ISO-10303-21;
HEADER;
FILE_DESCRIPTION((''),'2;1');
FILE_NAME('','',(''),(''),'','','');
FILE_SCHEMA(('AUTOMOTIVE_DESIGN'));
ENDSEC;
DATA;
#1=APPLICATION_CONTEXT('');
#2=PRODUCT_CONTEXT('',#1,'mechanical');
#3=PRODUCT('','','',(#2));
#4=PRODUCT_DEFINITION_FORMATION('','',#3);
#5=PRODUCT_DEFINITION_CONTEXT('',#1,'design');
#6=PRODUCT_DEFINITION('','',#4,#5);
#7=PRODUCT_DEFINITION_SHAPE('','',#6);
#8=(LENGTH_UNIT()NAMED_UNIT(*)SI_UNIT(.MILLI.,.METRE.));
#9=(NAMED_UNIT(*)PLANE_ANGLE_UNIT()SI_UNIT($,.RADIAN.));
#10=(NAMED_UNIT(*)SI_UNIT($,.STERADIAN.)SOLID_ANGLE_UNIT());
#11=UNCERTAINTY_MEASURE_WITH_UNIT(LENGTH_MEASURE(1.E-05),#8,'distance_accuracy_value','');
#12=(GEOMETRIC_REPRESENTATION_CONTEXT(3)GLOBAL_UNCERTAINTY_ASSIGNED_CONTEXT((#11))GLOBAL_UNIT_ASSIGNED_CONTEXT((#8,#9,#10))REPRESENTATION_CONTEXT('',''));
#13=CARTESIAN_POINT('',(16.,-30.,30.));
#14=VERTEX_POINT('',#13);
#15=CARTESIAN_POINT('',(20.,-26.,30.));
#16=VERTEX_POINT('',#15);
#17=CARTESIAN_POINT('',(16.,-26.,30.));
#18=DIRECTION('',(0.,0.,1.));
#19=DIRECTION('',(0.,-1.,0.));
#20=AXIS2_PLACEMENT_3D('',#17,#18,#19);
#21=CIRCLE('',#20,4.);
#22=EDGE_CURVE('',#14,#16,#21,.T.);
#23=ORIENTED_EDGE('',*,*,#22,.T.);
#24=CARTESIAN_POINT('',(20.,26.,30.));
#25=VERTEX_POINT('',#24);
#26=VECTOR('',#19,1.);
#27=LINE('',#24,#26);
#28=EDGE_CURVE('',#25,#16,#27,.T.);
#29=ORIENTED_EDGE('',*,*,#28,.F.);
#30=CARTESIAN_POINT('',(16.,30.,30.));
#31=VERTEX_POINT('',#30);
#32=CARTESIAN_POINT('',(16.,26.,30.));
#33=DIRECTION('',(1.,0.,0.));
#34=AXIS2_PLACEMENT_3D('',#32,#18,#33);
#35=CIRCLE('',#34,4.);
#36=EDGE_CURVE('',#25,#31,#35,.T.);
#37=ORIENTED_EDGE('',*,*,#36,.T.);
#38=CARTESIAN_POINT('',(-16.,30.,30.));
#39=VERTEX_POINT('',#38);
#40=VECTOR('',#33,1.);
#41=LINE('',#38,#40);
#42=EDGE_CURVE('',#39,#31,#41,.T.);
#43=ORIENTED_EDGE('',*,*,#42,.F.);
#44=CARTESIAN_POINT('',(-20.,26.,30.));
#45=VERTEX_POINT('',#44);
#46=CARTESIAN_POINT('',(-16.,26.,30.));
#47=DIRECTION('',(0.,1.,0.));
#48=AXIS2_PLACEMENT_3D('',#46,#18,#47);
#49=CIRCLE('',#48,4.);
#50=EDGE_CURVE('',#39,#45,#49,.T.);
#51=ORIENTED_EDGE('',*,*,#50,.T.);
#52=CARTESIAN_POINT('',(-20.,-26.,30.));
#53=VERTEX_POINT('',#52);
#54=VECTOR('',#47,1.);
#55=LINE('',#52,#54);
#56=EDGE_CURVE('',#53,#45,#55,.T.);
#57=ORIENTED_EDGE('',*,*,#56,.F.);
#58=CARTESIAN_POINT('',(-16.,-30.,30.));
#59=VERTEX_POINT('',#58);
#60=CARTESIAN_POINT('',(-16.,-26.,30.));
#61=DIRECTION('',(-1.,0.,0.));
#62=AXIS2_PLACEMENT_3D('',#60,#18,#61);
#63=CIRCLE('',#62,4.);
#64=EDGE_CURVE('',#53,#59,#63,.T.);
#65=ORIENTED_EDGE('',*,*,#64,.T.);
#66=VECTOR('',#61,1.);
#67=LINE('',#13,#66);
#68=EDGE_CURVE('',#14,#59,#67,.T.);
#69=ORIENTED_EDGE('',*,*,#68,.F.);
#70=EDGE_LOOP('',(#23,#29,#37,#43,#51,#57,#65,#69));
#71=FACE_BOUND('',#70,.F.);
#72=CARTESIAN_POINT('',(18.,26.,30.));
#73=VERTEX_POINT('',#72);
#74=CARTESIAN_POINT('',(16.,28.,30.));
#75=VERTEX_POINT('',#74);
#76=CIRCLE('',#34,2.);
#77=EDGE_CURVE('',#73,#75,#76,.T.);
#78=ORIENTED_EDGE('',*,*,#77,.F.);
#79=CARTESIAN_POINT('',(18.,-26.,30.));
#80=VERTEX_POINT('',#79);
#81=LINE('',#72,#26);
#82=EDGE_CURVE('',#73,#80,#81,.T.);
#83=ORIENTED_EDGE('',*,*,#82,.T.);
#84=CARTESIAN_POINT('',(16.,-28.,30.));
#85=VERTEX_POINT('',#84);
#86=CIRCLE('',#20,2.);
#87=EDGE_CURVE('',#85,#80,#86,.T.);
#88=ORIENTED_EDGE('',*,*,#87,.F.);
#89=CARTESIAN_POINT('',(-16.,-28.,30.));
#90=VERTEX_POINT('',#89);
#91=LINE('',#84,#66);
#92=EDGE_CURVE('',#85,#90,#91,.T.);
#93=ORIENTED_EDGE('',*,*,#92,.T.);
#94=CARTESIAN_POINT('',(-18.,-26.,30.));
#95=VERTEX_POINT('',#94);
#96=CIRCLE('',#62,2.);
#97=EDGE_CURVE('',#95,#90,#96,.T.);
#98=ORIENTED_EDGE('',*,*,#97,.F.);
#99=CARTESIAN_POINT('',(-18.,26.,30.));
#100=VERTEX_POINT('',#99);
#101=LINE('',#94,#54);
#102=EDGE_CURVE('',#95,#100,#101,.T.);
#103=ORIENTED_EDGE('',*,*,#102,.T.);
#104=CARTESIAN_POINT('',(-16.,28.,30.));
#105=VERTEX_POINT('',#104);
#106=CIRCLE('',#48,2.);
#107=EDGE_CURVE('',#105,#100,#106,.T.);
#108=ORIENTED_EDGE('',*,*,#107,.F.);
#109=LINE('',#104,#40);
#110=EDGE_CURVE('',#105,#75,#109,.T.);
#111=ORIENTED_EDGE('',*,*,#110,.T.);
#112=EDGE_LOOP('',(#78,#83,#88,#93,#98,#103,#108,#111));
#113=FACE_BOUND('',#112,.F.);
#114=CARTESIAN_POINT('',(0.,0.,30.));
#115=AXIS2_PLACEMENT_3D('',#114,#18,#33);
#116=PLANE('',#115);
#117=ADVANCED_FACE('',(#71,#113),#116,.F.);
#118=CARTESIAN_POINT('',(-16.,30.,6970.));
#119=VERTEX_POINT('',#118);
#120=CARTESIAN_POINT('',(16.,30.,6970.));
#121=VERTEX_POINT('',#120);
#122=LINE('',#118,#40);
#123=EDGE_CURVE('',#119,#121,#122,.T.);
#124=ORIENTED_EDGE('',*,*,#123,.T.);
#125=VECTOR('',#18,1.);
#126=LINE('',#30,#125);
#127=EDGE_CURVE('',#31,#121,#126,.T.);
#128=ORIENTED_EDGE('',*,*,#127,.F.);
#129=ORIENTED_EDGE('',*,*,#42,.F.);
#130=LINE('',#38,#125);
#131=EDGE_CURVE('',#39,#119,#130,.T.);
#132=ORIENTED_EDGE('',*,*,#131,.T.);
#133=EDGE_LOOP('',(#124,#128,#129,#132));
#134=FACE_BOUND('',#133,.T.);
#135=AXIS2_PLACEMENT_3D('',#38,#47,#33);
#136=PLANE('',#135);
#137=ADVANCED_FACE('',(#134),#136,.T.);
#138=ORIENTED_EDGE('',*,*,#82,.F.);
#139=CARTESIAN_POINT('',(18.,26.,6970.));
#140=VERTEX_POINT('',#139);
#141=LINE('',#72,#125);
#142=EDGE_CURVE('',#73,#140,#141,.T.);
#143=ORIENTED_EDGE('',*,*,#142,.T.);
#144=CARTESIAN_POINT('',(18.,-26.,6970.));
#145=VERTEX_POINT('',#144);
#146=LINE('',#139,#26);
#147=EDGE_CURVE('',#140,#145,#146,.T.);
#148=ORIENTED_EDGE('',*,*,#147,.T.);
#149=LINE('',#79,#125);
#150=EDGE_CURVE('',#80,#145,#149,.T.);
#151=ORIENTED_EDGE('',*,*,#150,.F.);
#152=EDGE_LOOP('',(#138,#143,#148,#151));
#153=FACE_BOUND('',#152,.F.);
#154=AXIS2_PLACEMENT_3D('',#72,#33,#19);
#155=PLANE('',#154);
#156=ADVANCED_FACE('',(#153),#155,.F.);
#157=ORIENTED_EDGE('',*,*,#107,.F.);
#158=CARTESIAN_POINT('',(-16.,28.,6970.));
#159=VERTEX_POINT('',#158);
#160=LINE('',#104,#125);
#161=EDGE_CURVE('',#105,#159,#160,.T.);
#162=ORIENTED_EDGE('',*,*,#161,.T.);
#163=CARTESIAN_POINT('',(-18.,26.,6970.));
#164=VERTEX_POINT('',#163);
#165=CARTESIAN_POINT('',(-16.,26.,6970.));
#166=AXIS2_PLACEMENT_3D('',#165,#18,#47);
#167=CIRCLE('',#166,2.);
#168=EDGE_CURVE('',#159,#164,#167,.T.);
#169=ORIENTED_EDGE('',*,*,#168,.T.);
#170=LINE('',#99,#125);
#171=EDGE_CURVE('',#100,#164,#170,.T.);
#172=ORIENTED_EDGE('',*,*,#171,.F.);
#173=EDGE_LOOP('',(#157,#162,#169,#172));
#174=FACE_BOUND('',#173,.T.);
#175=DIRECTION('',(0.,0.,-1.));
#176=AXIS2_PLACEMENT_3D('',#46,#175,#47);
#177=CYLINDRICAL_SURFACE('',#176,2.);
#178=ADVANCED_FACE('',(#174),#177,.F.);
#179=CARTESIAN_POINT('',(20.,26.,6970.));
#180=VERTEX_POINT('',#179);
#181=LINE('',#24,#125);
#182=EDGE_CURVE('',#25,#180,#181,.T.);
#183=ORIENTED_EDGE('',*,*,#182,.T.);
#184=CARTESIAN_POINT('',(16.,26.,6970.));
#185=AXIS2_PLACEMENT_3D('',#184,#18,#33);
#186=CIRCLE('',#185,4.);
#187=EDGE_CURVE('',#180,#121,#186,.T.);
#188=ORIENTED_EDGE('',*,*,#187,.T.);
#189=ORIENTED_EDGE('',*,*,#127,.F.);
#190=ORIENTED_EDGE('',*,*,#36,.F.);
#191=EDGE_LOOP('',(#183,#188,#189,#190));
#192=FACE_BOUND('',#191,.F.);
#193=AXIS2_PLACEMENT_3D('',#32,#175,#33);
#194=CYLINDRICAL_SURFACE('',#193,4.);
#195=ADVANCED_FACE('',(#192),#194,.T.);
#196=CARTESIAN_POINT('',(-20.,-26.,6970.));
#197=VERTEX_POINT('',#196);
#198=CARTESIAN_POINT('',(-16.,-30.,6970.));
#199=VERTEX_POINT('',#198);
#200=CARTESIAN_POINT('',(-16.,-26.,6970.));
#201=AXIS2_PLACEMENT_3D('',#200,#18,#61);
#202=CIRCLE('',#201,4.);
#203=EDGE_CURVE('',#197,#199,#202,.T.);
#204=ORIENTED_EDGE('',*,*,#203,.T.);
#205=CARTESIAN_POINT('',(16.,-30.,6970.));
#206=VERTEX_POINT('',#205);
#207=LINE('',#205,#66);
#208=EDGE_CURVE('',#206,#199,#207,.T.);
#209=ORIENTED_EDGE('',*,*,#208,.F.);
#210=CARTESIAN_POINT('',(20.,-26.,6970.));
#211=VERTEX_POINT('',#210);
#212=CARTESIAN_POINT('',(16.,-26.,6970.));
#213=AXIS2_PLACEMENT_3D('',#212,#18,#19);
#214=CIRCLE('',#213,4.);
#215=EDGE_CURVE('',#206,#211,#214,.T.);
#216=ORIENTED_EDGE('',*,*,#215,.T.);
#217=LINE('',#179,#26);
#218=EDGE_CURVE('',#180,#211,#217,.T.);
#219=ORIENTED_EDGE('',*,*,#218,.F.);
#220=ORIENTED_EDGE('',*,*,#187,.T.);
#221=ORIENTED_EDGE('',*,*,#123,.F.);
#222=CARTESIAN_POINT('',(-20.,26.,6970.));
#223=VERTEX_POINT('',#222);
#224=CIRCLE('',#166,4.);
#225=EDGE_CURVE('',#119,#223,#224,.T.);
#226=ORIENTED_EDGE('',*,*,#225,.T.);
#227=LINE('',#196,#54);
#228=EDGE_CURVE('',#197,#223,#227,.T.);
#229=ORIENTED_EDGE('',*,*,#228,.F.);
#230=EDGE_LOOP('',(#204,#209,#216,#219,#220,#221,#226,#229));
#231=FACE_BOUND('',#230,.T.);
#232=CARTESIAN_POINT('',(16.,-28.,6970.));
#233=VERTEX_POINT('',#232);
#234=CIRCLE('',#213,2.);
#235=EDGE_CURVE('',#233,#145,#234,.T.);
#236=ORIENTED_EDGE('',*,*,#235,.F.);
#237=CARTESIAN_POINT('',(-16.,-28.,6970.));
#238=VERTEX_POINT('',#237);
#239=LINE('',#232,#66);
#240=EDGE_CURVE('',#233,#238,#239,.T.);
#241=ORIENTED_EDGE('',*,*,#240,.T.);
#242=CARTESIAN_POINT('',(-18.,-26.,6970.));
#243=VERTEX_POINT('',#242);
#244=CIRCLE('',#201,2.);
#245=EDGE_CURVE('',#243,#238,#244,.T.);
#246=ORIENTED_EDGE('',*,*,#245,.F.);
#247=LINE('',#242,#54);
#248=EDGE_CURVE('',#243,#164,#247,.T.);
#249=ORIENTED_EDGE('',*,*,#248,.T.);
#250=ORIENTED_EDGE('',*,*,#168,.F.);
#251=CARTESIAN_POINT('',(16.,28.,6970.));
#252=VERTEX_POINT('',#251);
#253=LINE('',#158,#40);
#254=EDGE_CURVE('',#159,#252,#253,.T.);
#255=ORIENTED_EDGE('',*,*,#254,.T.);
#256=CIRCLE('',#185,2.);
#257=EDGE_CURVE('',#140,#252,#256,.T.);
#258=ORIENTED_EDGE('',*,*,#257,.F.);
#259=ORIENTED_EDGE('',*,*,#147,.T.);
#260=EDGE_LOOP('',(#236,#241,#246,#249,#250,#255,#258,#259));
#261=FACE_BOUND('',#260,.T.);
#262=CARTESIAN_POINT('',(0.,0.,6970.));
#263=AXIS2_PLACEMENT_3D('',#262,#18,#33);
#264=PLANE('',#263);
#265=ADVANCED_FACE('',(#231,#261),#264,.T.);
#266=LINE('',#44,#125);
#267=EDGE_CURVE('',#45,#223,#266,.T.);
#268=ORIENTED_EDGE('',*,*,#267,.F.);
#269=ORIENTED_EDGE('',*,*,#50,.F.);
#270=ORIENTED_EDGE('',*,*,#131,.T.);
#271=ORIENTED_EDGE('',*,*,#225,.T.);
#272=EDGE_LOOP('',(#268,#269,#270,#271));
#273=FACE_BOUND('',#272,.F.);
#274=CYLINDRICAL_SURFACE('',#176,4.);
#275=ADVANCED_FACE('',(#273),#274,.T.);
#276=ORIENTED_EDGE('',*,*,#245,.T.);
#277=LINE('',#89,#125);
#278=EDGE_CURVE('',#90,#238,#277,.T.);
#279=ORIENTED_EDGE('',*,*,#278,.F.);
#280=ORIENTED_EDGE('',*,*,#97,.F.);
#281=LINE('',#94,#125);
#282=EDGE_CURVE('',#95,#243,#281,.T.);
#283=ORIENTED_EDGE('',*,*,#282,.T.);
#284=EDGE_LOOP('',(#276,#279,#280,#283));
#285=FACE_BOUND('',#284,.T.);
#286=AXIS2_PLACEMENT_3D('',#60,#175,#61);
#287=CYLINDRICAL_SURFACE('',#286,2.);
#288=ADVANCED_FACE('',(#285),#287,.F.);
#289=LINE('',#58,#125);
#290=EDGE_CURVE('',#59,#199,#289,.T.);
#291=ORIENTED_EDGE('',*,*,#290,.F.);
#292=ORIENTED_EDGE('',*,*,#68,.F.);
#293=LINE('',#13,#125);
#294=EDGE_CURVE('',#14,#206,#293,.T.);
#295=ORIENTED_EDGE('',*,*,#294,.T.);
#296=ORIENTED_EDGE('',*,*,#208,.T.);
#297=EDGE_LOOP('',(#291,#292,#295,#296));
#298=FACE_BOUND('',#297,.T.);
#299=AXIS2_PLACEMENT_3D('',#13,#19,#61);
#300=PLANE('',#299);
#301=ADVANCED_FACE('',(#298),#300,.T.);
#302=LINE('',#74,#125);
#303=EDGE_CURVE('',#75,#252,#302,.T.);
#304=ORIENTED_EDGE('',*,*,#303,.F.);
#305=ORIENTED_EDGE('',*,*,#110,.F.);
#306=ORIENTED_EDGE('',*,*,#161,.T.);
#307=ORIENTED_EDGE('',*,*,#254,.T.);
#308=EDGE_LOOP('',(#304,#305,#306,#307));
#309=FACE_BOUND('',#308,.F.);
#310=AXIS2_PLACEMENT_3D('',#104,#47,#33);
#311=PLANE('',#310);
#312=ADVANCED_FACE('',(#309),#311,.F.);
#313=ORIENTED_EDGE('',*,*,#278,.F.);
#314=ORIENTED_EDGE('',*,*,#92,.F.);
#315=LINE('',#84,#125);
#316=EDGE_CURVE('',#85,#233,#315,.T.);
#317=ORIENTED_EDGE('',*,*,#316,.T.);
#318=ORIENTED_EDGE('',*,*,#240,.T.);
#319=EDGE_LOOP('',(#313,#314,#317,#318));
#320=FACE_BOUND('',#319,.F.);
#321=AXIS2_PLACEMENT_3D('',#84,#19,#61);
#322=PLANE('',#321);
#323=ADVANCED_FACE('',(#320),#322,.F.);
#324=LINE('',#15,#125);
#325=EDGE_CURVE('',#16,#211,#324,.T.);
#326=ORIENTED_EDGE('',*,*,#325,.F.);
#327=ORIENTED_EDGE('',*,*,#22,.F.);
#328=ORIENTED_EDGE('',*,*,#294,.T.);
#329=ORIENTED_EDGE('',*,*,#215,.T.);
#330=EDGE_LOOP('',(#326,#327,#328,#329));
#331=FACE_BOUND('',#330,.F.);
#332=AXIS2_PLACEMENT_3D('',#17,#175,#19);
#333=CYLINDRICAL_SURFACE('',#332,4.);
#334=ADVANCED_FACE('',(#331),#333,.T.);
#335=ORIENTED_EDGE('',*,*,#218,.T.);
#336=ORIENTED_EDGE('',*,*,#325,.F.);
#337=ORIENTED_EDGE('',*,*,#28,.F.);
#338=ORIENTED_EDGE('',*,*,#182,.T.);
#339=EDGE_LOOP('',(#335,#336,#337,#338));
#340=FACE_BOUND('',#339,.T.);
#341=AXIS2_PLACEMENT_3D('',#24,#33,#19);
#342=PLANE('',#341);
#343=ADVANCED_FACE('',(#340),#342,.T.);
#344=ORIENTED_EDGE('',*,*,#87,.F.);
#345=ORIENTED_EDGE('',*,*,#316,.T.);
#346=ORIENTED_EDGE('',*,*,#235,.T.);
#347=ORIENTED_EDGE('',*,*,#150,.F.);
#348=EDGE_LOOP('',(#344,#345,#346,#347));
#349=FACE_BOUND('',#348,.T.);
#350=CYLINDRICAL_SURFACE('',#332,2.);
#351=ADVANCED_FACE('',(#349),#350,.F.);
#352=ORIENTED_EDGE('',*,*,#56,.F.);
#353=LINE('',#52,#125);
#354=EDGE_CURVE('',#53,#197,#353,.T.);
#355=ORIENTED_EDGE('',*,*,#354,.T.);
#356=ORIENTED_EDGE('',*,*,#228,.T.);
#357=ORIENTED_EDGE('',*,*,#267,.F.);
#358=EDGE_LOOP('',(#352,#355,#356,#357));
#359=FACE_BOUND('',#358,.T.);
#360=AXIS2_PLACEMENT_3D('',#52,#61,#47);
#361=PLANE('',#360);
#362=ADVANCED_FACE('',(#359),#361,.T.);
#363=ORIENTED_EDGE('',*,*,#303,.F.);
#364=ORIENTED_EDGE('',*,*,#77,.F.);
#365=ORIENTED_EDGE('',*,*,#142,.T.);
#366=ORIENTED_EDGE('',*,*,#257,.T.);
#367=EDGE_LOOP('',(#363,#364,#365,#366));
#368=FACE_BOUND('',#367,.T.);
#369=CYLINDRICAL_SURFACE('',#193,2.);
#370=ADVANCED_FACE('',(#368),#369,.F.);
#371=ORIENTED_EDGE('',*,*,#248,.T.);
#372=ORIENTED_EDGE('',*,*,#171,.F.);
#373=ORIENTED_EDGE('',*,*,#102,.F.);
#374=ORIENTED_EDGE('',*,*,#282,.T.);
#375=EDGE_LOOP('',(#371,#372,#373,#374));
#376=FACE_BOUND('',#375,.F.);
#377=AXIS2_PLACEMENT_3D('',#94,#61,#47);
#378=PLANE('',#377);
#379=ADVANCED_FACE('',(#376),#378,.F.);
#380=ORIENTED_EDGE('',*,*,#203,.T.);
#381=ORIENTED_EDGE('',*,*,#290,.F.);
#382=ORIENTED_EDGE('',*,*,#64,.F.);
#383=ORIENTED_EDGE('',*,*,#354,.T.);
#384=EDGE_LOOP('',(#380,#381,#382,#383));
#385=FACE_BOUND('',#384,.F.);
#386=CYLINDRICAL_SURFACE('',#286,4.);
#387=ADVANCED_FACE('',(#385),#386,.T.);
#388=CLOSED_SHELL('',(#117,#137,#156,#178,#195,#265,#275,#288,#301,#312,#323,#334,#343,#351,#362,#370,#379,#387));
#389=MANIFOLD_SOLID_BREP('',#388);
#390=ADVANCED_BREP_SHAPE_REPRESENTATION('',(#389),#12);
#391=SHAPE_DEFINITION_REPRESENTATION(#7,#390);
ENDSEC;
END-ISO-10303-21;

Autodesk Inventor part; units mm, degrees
ref_plane "Start Plane" through (0, 0, 30) normal (0, 0, 1) x (1, 0, 0)
ref_plane "End Plane" through (0, 0, 6970) normal (0, 0, 1) x (1, 0, 0)
sketch "Sketch" plane through (0, 0, 0) normal (0, 0, 1) x (1, 0, 0)
  line L0 (-20, -26) -> (-20, 26)
  line L1 (-16, 30) -> (16, 30)
  line L2 (20, 26) -> (20, -26)
  line L3 (16, -30) -> (-16, -30)
  arc A0 (-20, -26) -> (-16, -30) centre (-16, -26) ccw
  arc A1 (20, 26) -> (16, 30) centre (16, 26) ccw
  arc A2 (-16, 30) -> (-20, 26) centre (-16, 26) ccw
  arc A3 (16, -30) -> (20, -26) centre (16, -26) ccw
  arc A4 (-16, 28) -> (-18, 26) centre (-16, 26) ccw
  line L4 (-16, 28) -> (16, 28)
  arc A5 (18, 26) -> (16, 28) centre (16, 26) ccw
  line L5 (18, 26) -> (18, -26)
  arc A6 (16, -28) -> (18, -26) centre (16, -26) ccw
  line L6 (16, -28) -> (-16, -28)
  arc A7 (-18, -26) -> (-16, -28) centre (-16, -26) ccw
  line L7 (-18, -26) -> (-18, 26)
  line L8 (0, 43.1598) -> (0, -43.1598) construction
  line L9 (-29.1598, 0) -> (29.1598, 0) construction
  dimension "d7" = 4
  dimension "d9" = 40
  dimension "d11" = 60
  dimension "d12" = 2
  dimension "d15" = 20
  dimension "d16" = 30
extrude "Body" add sketch "Sketch" along normal up to surface (6940 mm away) from surface at 30
sketch "Sketch3" plane through (0, 0, 0) normal (0, 0, 1) x (1, 0, 0)
  line L0 (0, 0) -> (10, 0)
ref_plane "Work Plane3" through (0, 0, 0) normal (0, -1, 0) x (1, 0, 0)
ref_plane "Work Plane4" through (850, 22, 30) normal (0, 0, -1) x (-1, 0, 0)
split "Split1" plane through (850, 22, 30) removes the side toward (0, 0, -1)
ref_plane "Work Plane5" through (850, -22, 6970) normal (0, 0, 1) x (1, 0, 0)
split "Split2" plane through (850, -22, 6970) removes the side toward (0, 0, 1)
sketch "Sketch4" plane through (0, 0, 0) normal (0, -1, 0) x (1, 0, 0)
  line L0 (-2, 30) -> (12, 30) projected
  line L1 (-2, 6970) -> (12, 6970) projected
  dimension "d18" = 6940
equation "\"d7\" = G_IR"
equation "\"d9\" = G_W"
equation "\"d11\" = G_H"
equation "\"d12\" = G_T"
equation "\"d15\" = 0.5 * d9"
equation "\"d16\" = 0.5 * d11"
equation "\"d3\" = G_L"
equation "\"G_W\" = 40"
equation "\"G_H\" = 60"
equation "\"G_T\" = 2"
equation "\"G_IR\" = 4"
equation "\"G_L\" = d18"
properties part number "ISO 10799-2 - 60x40x2 - 6940" material "Steel, Mild"
